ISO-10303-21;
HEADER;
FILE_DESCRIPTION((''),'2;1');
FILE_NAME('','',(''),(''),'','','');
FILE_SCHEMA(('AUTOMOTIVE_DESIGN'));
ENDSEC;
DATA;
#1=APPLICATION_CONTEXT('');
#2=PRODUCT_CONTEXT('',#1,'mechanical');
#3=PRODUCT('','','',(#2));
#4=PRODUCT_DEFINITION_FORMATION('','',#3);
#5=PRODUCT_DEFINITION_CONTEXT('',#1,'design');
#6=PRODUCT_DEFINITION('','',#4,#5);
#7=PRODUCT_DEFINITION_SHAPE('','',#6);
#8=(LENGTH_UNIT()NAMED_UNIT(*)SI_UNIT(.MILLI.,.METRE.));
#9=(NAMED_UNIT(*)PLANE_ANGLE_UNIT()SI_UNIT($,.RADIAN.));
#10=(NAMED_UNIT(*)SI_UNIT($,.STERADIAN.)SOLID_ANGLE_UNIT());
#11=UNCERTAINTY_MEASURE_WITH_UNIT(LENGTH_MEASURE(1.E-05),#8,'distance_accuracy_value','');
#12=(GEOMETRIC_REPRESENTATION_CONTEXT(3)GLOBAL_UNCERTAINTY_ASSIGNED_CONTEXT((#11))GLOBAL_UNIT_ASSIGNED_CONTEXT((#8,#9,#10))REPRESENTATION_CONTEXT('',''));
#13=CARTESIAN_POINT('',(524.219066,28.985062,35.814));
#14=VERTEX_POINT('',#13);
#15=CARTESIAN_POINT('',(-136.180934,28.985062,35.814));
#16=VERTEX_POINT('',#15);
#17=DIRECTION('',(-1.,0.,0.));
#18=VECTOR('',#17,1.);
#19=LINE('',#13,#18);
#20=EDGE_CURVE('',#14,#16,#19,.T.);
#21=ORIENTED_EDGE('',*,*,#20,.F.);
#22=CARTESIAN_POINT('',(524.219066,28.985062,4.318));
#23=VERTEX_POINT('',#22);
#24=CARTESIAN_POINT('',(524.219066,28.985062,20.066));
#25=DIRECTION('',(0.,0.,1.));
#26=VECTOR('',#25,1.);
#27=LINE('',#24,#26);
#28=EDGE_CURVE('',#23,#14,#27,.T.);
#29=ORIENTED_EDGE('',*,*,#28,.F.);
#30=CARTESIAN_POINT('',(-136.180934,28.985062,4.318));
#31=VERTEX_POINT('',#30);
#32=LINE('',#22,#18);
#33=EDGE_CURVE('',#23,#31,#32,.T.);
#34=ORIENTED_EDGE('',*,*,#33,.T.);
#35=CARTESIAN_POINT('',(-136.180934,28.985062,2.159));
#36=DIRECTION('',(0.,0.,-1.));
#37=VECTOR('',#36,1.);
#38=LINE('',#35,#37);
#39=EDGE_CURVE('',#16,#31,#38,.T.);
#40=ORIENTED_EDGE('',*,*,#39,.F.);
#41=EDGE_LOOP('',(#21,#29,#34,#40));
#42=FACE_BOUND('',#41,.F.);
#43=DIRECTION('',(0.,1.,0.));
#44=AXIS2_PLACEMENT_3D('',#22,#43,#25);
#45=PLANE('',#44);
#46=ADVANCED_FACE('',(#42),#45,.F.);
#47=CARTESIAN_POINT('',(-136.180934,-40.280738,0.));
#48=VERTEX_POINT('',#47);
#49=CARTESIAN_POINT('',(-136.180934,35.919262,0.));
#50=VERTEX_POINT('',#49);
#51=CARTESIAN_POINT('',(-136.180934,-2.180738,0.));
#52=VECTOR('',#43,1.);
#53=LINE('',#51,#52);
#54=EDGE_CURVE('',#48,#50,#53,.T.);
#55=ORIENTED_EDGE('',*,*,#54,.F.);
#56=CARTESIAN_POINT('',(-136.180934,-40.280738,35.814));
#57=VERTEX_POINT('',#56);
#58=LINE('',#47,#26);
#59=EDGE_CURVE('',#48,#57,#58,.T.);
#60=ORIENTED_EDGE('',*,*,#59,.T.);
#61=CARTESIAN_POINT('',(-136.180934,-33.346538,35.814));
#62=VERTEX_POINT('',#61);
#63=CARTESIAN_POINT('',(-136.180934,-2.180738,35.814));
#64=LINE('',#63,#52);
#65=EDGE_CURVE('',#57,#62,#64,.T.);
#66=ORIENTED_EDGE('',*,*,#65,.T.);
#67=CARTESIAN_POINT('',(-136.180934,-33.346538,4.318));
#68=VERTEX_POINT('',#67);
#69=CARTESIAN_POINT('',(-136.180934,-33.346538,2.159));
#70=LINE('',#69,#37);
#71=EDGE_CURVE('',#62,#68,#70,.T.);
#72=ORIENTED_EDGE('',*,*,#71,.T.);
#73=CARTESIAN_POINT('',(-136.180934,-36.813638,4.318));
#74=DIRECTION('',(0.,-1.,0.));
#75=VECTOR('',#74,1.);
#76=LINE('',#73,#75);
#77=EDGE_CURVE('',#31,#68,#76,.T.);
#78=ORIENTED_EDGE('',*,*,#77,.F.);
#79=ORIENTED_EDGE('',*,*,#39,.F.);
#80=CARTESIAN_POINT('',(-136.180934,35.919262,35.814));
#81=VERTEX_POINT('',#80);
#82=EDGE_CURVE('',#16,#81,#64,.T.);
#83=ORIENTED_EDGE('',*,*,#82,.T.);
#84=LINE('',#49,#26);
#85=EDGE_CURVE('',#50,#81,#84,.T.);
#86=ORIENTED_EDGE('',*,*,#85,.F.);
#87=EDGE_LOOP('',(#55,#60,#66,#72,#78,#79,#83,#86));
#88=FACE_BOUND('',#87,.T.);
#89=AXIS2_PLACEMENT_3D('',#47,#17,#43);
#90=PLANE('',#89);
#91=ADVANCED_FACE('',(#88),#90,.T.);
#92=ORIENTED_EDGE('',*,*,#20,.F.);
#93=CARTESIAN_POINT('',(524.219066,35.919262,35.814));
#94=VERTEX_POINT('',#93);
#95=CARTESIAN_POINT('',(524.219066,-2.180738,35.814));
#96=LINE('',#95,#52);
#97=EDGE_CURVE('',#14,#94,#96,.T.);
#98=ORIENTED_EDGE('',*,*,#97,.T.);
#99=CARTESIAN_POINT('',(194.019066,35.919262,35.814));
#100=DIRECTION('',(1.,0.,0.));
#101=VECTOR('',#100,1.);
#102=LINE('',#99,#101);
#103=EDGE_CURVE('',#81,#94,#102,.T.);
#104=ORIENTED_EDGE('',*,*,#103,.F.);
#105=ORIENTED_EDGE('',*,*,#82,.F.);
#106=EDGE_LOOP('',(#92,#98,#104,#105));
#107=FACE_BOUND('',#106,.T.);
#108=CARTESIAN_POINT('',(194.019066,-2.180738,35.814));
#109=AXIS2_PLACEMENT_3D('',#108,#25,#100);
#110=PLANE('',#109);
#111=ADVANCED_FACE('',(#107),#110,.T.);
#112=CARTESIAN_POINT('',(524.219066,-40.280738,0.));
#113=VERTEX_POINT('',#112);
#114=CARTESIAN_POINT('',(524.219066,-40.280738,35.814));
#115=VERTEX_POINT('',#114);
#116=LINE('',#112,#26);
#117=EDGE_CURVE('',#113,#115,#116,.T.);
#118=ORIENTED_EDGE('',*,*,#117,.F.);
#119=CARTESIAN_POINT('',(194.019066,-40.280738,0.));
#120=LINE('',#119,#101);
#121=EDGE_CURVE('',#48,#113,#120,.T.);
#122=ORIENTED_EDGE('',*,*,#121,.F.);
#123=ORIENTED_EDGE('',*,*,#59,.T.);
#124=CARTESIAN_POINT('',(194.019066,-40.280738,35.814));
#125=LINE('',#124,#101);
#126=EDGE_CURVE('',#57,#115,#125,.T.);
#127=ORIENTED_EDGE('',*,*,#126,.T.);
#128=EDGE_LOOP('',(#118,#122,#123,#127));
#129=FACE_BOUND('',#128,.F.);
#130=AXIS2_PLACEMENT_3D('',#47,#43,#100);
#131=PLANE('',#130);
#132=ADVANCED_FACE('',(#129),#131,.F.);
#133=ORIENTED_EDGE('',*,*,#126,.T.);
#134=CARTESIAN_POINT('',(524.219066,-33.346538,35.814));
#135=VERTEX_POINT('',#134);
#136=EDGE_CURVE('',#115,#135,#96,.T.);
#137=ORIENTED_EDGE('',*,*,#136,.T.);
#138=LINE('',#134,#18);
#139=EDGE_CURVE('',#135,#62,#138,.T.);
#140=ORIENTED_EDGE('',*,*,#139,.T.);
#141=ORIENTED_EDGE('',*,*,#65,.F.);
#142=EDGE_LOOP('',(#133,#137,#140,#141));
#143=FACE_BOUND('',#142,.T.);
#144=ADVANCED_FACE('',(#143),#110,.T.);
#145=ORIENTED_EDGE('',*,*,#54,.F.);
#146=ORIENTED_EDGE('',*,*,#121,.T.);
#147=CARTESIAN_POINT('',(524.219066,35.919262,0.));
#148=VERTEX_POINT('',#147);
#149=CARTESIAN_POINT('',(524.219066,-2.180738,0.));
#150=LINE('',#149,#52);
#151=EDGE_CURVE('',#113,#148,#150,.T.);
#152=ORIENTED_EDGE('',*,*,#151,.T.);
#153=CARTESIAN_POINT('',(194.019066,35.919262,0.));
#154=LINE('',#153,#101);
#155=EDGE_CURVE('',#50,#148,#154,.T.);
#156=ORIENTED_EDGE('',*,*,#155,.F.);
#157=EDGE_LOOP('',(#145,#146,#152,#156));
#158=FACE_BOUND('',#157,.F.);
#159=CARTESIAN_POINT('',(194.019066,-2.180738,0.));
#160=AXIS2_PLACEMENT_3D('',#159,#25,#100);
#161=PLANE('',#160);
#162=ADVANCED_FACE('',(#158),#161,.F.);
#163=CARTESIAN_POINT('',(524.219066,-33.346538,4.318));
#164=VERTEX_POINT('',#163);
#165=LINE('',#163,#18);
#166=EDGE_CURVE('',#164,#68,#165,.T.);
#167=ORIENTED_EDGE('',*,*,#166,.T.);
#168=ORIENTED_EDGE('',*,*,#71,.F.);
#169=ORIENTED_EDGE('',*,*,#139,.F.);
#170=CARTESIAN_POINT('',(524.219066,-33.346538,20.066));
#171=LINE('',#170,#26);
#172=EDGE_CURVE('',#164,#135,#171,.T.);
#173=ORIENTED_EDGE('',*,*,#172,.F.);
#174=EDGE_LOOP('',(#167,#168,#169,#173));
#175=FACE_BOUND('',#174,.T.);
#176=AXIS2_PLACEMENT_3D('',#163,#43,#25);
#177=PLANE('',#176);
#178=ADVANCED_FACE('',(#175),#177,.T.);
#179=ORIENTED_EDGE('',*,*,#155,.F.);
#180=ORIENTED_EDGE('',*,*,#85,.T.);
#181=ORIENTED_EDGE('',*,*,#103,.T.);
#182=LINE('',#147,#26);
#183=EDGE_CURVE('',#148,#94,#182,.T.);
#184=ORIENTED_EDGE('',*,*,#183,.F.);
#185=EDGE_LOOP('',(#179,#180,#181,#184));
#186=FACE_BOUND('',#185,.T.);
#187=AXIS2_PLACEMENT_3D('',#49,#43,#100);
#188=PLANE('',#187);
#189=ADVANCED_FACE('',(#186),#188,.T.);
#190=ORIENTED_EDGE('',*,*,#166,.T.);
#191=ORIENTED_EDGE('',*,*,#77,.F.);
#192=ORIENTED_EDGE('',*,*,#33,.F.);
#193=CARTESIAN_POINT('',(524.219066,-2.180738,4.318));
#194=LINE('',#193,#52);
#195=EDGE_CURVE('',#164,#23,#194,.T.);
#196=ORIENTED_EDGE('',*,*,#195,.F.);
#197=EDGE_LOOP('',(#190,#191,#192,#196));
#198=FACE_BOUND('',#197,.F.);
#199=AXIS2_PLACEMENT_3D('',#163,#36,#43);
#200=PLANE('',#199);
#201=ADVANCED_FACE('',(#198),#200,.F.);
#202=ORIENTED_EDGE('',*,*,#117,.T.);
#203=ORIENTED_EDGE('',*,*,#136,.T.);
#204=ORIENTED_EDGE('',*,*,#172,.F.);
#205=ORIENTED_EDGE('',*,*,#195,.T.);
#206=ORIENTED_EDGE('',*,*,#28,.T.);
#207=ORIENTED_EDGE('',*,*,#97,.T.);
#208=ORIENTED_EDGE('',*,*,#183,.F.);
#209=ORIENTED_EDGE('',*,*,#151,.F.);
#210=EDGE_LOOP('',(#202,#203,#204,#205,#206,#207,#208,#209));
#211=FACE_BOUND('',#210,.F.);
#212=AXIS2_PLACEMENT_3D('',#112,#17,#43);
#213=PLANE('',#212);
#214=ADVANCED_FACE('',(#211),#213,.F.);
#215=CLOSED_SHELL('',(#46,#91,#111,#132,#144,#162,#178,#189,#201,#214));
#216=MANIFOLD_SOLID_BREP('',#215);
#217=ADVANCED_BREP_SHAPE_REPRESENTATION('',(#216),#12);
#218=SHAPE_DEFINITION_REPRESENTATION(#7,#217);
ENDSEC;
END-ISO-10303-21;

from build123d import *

# Parameters (mm, degrees)
F0_W     = 660.4
F0_H     = 76.2
F1_DEPTH = 35.814
F2_W     = 62.3316
F2_H     = 31.496
F3_DEPTH = 660.401


with BuildPart() as f1:
    # F0 (on Top) → F1 (new body)
    with BuildSketch(Plane.XY):
        with Locations((194.019066, -2.180738)):
            Rectangle(F0_W, F0_H)
    extrude(amount=F1_DEPTH)

    # F2 (on face) → F3 (cut, through all)
    with BuildSketch(Plane.YZ.offset(524.219066)):
        with Locations((-2.180738, 20.066)):
            Rectangle(F2_W, F2_H)
    extrude(amount=-F3_DEPTH, mode=Mode.SUBTRACT)


solid = f1.part
